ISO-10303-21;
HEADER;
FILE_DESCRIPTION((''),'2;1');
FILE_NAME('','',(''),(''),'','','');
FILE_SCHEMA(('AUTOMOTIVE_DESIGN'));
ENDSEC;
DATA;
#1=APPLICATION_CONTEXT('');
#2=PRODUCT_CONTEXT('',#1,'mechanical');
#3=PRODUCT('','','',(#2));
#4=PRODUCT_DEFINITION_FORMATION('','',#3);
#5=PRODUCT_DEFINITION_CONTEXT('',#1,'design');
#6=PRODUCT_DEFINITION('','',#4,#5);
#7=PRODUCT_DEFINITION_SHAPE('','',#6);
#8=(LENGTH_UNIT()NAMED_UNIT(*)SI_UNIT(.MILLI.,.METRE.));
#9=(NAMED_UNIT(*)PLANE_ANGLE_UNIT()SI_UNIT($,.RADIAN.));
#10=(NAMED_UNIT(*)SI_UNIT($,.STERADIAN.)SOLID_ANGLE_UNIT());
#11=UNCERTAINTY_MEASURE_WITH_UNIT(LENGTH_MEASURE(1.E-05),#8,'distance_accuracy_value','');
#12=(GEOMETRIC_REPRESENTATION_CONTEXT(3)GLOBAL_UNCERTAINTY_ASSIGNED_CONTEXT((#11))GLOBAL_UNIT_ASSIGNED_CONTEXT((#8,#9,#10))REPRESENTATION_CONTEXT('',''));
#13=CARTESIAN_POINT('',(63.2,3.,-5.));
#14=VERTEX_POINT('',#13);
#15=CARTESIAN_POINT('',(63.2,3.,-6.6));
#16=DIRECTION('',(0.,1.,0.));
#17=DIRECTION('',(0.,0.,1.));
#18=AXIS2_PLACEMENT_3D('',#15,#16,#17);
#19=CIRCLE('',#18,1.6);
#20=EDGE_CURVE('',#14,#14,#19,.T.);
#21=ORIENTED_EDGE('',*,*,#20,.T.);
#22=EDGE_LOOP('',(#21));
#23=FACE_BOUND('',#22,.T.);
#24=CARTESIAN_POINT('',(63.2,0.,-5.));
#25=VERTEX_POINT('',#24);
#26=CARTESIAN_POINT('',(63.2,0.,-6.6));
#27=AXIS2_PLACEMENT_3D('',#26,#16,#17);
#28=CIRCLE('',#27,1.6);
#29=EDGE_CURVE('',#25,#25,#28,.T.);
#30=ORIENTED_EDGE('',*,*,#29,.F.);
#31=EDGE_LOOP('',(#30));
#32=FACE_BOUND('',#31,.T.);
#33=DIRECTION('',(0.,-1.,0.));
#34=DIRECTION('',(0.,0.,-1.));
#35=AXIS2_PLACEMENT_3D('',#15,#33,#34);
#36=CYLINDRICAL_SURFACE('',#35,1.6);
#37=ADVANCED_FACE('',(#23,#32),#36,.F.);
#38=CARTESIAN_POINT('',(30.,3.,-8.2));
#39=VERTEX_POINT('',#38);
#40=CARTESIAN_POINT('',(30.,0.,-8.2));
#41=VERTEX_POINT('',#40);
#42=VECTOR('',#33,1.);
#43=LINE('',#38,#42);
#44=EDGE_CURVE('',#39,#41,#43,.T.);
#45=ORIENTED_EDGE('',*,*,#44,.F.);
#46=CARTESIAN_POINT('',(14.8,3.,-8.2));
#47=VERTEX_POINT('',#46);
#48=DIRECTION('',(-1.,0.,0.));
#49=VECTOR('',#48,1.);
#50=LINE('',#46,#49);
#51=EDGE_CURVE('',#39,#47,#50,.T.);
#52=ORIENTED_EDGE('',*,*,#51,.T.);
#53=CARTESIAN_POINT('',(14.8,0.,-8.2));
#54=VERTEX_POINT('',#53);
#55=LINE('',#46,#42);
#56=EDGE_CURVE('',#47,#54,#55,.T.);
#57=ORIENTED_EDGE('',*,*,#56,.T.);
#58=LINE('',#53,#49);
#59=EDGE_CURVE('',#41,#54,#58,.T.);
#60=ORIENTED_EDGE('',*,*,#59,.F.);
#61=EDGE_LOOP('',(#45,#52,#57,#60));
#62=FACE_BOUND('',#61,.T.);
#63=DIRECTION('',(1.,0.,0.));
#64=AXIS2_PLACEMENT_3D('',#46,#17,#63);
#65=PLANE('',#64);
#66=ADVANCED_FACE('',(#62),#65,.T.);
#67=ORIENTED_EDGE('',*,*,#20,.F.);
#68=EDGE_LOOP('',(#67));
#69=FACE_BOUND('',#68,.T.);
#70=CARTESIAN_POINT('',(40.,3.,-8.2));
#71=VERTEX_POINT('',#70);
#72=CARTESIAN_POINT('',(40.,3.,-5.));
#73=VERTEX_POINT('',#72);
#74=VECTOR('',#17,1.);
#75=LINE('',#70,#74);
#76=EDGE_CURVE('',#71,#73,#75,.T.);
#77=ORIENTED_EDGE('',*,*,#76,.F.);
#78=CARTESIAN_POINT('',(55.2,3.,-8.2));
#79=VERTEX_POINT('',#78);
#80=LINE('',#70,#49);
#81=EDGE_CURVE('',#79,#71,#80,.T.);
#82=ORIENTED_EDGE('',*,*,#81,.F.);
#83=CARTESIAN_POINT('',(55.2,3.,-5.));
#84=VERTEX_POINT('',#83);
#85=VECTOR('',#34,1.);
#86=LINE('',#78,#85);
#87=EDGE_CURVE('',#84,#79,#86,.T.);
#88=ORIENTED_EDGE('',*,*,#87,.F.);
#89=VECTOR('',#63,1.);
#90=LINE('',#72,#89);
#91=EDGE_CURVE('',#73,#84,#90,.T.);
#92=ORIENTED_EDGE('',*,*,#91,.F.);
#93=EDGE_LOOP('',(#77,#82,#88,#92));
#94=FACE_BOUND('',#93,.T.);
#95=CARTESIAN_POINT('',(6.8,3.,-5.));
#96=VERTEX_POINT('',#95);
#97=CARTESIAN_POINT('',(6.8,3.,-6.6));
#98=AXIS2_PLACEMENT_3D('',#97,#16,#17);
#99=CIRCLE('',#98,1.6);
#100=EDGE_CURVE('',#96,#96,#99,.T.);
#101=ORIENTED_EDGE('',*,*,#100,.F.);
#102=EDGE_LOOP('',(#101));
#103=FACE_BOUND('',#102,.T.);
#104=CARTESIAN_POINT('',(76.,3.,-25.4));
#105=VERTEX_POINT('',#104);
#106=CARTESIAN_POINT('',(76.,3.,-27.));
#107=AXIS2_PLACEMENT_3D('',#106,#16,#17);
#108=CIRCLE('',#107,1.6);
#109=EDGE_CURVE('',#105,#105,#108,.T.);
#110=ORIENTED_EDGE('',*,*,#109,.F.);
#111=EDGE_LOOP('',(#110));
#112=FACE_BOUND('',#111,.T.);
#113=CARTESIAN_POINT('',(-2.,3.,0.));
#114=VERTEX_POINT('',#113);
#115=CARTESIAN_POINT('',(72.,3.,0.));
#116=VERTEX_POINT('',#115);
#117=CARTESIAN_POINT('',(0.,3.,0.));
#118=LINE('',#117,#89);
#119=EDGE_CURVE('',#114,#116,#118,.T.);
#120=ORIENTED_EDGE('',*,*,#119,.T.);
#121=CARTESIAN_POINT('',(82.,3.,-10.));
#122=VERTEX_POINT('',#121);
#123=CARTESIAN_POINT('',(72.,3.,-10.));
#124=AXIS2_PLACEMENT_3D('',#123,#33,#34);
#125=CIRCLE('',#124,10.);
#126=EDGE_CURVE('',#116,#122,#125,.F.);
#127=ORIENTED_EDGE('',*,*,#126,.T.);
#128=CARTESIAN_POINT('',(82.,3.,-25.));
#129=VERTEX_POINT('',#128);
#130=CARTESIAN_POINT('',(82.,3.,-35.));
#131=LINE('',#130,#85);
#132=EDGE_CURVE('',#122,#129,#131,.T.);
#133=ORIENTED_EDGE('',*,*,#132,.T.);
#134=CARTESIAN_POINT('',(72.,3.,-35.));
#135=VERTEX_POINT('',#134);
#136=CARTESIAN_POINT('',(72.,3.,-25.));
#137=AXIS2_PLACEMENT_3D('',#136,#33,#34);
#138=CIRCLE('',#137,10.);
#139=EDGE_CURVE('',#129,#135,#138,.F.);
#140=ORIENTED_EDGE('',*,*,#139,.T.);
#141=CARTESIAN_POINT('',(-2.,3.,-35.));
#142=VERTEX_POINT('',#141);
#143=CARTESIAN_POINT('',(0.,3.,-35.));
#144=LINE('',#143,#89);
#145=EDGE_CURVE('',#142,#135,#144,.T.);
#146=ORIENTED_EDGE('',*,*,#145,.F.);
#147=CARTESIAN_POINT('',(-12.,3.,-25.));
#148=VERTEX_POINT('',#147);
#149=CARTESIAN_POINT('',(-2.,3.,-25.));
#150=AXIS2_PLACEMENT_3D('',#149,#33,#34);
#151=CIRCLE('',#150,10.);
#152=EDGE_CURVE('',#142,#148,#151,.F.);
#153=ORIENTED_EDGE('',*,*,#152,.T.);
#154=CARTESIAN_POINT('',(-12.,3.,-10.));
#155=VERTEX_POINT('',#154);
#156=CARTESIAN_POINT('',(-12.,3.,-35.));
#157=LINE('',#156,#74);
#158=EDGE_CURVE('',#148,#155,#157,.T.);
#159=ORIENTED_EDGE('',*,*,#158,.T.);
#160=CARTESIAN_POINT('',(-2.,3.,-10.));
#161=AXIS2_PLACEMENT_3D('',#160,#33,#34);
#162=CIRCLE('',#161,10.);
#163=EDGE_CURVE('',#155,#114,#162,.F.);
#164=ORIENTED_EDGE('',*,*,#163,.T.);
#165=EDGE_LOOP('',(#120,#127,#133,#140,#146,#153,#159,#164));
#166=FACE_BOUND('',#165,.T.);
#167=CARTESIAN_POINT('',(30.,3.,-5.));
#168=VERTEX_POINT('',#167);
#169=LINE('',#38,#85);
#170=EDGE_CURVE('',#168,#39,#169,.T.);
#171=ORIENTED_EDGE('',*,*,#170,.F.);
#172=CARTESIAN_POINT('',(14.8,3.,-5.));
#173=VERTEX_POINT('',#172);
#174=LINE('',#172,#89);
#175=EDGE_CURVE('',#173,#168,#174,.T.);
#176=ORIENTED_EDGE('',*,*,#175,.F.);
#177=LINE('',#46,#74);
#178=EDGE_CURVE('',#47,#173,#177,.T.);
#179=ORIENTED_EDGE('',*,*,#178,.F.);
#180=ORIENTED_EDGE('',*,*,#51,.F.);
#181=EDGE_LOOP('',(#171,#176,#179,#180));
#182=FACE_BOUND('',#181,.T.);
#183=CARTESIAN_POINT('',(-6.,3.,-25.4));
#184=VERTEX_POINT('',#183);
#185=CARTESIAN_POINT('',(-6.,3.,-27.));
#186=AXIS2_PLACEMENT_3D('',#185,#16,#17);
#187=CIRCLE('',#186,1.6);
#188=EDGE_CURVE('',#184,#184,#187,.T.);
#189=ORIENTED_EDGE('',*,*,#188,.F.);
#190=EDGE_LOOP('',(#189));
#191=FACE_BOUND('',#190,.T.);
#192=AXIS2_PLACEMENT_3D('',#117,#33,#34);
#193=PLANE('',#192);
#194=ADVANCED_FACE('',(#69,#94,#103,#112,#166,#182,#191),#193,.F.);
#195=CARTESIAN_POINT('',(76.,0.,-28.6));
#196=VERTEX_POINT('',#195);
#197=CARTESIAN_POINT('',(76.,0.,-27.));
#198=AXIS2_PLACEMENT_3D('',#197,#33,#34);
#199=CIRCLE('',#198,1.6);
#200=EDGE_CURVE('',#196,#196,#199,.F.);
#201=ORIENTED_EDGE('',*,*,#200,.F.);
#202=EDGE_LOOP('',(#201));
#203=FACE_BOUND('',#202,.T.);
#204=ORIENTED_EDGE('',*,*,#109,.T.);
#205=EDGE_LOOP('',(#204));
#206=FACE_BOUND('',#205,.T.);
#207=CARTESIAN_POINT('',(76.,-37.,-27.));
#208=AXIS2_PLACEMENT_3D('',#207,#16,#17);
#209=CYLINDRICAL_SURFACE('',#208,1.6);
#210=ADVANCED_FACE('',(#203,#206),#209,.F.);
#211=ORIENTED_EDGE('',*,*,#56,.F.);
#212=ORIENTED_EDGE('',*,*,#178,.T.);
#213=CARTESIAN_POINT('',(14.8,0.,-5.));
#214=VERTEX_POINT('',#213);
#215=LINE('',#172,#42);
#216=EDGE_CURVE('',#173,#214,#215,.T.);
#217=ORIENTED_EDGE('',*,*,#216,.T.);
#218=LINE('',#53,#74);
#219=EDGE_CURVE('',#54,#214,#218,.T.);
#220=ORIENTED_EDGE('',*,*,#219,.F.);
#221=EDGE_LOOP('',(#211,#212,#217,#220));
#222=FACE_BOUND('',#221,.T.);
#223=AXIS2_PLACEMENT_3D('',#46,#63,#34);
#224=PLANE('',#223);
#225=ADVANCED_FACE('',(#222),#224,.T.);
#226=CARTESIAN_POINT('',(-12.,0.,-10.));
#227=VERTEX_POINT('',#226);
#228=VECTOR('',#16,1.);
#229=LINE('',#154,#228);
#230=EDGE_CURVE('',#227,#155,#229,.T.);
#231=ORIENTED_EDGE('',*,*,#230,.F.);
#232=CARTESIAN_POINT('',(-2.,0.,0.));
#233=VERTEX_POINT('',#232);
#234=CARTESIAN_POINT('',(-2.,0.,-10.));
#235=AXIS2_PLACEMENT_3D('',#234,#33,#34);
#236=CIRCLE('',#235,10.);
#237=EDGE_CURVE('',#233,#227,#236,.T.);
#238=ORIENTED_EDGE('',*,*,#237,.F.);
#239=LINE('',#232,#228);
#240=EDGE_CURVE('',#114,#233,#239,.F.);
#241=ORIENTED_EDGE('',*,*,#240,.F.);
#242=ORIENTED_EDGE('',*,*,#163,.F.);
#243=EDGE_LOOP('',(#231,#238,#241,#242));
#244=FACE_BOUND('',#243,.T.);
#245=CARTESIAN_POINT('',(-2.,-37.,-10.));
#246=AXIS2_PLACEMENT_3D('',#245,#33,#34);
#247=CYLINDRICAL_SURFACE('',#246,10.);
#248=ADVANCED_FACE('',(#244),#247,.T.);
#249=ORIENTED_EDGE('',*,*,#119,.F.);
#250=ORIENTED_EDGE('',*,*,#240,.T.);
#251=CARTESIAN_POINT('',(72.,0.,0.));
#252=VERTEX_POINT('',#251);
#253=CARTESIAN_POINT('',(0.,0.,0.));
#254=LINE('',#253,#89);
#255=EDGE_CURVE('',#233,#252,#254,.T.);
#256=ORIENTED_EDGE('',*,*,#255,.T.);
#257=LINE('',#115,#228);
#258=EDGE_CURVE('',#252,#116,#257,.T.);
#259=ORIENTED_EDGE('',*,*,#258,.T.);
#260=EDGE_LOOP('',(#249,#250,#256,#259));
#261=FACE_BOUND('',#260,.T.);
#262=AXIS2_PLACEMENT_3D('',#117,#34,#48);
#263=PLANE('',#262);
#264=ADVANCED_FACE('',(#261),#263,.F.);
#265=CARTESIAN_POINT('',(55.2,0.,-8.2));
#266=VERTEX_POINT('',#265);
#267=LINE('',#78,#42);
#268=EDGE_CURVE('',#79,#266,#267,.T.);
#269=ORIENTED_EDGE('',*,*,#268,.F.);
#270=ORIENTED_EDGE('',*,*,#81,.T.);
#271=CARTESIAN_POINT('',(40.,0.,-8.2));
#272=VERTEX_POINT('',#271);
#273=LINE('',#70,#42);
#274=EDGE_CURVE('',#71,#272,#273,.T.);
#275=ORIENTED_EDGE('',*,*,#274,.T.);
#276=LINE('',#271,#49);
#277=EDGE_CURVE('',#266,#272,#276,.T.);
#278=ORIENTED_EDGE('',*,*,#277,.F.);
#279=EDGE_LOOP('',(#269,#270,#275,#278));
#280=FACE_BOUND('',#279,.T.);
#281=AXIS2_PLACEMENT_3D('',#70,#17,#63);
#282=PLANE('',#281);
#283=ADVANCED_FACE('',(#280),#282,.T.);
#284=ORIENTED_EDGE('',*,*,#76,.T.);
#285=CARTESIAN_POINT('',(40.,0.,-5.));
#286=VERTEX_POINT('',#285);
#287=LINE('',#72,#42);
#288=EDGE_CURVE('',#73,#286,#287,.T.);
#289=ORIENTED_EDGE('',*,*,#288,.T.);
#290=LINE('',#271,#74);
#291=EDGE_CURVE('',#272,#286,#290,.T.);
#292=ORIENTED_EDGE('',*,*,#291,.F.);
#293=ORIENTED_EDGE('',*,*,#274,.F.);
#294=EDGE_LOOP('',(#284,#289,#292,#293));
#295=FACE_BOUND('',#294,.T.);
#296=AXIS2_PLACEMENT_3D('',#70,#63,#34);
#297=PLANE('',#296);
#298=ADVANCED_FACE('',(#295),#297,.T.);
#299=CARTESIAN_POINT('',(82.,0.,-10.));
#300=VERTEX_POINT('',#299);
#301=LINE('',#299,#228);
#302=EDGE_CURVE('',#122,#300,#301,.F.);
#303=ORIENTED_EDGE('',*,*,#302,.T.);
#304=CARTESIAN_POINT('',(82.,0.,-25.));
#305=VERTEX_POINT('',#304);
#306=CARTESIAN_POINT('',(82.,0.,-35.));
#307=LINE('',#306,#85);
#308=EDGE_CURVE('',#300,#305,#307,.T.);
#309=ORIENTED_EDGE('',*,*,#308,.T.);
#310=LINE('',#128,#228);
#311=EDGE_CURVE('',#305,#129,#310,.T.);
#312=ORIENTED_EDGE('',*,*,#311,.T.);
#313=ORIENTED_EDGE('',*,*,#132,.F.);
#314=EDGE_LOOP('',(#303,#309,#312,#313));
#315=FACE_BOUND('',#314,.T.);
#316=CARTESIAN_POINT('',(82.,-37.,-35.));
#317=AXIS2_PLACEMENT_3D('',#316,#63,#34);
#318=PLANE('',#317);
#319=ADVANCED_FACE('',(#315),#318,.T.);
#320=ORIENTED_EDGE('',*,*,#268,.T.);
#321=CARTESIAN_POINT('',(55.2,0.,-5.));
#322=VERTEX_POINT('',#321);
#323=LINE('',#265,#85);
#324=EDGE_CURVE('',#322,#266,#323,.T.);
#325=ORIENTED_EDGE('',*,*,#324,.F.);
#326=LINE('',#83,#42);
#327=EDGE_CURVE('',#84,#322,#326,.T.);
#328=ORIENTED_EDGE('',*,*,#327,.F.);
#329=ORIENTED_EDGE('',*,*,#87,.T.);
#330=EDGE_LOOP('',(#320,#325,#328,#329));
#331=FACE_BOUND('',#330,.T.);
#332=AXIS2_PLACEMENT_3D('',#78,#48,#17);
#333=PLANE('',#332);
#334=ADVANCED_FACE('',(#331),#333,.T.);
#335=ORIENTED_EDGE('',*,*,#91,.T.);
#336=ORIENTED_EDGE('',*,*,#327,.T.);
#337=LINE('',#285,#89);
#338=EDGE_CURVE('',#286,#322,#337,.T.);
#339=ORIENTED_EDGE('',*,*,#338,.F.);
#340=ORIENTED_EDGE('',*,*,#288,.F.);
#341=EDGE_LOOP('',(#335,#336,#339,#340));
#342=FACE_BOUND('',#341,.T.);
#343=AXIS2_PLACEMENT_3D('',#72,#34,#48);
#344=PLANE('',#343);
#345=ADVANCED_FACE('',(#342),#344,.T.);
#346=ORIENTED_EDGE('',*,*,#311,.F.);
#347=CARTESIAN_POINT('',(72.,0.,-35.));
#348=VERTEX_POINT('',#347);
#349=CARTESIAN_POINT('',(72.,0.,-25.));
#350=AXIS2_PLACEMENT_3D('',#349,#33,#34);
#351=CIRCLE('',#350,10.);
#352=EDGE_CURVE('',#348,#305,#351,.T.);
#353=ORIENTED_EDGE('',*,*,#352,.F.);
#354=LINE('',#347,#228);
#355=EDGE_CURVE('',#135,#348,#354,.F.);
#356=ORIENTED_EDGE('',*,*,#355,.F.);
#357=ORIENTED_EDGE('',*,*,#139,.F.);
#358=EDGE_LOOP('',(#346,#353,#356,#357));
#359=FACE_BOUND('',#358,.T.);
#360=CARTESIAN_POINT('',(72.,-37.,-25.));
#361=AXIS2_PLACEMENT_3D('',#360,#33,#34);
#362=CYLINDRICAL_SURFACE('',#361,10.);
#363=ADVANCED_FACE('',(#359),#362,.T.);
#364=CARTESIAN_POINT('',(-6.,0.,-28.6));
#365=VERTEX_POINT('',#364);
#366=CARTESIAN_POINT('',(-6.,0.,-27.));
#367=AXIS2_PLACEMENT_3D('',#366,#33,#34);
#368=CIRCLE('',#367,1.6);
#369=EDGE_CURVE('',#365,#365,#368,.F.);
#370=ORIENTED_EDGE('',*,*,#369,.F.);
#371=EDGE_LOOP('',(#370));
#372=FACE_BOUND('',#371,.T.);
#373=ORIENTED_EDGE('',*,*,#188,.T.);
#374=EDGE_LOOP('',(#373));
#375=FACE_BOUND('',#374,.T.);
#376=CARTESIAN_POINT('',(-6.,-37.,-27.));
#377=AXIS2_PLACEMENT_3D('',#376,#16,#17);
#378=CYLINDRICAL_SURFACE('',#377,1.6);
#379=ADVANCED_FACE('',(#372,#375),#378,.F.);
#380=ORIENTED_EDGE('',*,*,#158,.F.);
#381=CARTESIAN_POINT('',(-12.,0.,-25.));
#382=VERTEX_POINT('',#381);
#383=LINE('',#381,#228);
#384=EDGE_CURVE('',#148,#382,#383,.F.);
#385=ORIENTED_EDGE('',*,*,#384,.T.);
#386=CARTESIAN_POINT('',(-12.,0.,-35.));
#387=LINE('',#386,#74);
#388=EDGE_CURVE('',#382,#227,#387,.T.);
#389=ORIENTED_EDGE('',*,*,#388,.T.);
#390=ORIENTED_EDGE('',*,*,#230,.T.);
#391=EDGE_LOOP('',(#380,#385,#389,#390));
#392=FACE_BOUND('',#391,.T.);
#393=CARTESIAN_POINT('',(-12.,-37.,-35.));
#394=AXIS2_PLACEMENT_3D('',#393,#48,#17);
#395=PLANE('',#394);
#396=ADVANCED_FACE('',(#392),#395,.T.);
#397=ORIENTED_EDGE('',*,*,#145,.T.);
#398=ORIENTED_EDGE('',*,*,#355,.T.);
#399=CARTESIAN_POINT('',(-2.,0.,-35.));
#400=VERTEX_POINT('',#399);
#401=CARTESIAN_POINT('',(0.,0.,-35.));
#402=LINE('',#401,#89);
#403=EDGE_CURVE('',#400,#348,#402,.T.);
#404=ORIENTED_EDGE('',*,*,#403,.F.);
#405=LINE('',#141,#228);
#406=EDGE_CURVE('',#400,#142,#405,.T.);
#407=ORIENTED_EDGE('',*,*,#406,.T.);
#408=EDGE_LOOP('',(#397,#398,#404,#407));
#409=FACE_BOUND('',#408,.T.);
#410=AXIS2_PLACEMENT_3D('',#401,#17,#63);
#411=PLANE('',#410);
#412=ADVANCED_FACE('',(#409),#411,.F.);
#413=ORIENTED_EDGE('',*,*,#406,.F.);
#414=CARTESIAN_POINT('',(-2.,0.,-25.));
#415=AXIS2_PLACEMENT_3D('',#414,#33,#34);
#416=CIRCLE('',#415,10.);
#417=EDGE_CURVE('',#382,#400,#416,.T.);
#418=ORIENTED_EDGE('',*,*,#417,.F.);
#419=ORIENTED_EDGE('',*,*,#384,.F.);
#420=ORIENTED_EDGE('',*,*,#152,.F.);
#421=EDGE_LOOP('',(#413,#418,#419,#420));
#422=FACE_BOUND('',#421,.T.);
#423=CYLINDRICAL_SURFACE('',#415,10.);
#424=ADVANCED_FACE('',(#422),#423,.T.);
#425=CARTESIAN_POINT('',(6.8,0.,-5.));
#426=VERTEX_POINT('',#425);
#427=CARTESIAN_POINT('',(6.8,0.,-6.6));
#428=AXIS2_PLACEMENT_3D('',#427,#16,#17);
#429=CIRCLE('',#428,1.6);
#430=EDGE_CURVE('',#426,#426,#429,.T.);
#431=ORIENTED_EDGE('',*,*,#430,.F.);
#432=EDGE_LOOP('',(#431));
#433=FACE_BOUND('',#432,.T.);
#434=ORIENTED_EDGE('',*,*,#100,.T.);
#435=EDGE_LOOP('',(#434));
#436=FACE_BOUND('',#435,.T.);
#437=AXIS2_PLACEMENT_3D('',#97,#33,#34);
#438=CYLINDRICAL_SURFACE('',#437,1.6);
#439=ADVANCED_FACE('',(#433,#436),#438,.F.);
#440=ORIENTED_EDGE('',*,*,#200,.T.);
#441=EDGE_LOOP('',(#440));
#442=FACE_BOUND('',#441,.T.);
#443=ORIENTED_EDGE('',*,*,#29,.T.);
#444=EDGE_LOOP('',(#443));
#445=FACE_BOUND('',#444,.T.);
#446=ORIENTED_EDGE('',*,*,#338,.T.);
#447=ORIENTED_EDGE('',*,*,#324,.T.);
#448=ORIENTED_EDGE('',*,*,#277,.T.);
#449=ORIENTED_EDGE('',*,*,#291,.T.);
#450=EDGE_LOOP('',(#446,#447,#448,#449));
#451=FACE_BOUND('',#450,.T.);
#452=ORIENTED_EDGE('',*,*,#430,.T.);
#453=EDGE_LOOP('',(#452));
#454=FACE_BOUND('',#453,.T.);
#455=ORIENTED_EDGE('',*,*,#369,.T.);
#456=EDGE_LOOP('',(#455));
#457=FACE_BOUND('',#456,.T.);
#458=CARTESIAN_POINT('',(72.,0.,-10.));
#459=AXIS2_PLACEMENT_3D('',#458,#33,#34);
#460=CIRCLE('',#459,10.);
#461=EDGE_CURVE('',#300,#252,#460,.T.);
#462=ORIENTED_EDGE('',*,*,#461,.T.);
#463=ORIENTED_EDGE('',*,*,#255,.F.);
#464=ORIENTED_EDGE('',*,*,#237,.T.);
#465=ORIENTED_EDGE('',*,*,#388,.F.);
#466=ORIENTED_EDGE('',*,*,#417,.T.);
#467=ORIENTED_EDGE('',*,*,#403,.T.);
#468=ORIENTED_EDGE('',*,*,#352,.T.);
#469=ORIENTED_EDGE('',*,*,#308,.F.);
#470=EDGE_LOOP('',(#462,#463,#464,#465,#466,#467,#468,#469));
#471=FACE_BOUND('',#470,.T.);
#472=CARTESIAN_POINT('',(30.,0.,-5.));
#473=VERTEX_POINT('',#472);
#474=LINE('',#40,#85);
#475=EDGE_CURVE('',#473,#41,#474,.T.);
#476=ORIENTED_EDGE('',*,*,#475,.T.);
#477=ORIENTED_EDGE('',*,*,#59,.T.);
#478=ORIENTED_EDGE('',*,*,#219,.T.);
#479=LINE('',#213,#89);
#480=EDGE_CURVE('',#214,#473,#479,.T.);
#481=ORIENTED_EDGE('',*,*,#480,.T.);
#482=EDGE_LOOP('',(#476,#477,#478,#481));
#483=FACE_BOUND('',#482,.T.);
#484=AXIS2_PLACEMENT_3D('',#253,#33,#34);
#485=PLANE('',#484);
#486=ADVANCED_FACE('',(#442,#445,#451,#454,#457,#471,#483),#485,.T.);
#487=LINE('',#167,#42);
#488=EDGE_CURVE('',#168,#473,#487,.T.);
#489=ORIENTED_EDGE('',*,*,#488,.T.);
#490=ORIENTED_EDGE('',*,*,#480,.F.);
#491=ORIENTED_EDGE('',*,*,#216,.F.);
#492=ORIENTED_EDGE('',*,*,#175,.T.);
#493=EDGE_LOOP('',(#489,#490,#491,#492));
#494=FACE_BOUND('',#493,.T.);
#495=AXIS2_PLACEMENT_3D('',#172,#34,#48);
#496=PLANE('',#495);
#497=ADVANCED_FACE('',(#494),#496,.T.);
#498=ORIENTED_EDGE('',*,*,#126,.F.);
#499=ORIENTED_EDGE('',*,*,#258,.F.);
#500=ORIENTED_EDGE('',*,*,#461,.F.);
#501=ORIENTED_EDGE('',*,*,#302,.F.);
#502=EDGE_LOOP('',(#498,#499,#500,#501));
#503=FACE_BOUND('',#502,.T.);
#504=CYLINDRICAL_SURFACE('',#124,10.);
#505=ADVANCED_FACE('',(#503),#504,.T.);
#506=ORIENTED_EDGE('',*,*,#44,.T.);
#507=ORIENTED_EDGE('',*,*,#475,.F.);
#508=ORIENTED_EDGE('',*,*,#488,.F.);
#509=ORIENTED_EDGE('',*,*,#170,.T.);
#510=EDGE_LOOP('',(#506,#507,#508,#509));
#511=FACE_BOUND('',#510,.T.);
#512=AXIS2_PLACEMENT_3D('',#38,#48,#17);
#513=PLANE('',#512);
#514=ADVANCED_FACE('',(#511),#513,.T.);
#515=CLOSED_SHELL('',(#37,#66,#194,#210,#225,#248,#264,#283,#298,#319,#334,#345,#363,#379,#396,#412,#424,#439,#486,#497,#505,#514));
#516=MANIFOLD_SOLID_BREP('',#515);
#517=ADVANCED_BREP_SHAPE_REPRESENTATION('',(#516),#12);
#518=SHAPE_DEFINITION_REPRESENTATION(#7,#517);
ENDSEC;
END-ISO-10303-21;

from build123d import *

# Parameters (mm, degrees)
SKETCH1_W           = 70
SKETCH1_H           = 109
SKETCH1_R           = 1.6
SKETCH1_W_2         = 15.2
SKETCH1_H_2         = 3.2
BOSS_EXTRUDE1_DEPTH = 3
SKETCH3_W           = 70
SKETCH3_H           = 74
SKETCH3_R           = 1.6
CUT_EXTRUDE1_DEPTH  = 130.576232389
SKETCH4_W           = 12
SKETCH4_H           = 35
SKETCH4_R           = 1.6
BOSS_EXTRUDE2_DEPTH = 3
FILLET3_R           = 10


with BuildPart() as part:
    # Sketch1 → Boss-Extrude1 (new body)
    with BuildSketch(Plane(origin=(0, 0, 0), x_dir=(1, 0, 0), z_dir=(0, 1, 0))):
        with Locations((35, 54.5)):
            Rectangle(SKETCH1_W, SKETCH1_H)
        with Locations(Location((6.8, 6.6, 0), (0, 0, 270))):
            Circle(SKETCH1_R, mode=Mode.SUBTRACT)
        with Locations(Location((63.2, 6.6, 0), (0, 0, 270))):
            Circle(SKETCH1_R, mode=Mode.SUBTRACT)
        with Locations(Location((6.8, 103, 0), (0, 0, 270))):
            Circle(SKETCH1_R, mode=Mode.SUBTRACT)
        with Locations(Location((63.2, 103, 0), (0, 0, 270))):
            Circle(SKETCH1_R, mode=Mode.SUBTRACT)
        with Locations((22.4, 6.6)):
            Rectangle(SKETCH1_W_2, SKETCH1_H_2, mode=Mode.SUBTRACT)
        with Locations((47.6, 6.6)):
            Rectangle(SKETCH1_W_2, SKETCH1_H_2, mode=Mode.SUBTRACT)
    extrude(amount=BOSS_EXTRUDE1_DEPTH)

    # Sketch3 → Cut-Extrude1 (cut, through all)
    with BuildSketch(Plane(origin=(0, 3, 0), x_dir=(1, 0, 0), z_dir=(0, 1, 0))):
        with Locations((35, 72)):
            Rectangle(SKETCH3_W, SKETCH3_H)
        with Locations((6.8, 103)):
            Circle(SKETCH3_R, mode=Mode.SUBTRACT)
        with Locations((63.2, 103)):
            Circle(SKETCH3_R, mode=Mode.SUBTRACT)
    extrude(amount=-CUT_EXTRUDE1_DEPTH, mode=Mode.SUBTRACT)

    # Sketch4 → Boss-Extrude2 (add)
    # profile 1 of 2: a face of its own
    with BuildSketch(Plane(origin=(0, 3, 0), x_dir=(1, 0, 0), z_dir=(0, 1, 0))):
        with Locations((76, 17.5)):
            Rectangle(SKETCH4_W, SKETCH4_H)
        with Locations(Location((76, 27, 0), (0, 0, 270))):
            Circle(SKETCH4_R, mode=Mode.SUBTRACT)
    # profile 2 of 2: a face of its own
    with BuildSketch(Plane(origin=(0, 3, 0), x_dir=(1, 0, 0), z_dir=(0, 1, 0))):
        with Locations((-6, 17.5)):
            Rectangle(SKETCH4_W, SKETCH4_H)
        with Locations(Location((-6, 27, 0), (0, 0, 270))):
            Circle(SKETCH4_R, mode=Mode.SUBTRACT)
    extrude(amount=-BOSS_EXTRUDE2_DEPTH)

    # Fillet3
    fillet3_edges = [part.edges().sort_by_distance(p)[0] for p in [
        (82, 1.5, -35),
        (82, 1.5, 0),
        (-12, 1.5, 0),
        (-12, 1.5, -35),
    ]]
    fillet(fillet3_edges, radius=FILLET3_R)


solid = part.part
